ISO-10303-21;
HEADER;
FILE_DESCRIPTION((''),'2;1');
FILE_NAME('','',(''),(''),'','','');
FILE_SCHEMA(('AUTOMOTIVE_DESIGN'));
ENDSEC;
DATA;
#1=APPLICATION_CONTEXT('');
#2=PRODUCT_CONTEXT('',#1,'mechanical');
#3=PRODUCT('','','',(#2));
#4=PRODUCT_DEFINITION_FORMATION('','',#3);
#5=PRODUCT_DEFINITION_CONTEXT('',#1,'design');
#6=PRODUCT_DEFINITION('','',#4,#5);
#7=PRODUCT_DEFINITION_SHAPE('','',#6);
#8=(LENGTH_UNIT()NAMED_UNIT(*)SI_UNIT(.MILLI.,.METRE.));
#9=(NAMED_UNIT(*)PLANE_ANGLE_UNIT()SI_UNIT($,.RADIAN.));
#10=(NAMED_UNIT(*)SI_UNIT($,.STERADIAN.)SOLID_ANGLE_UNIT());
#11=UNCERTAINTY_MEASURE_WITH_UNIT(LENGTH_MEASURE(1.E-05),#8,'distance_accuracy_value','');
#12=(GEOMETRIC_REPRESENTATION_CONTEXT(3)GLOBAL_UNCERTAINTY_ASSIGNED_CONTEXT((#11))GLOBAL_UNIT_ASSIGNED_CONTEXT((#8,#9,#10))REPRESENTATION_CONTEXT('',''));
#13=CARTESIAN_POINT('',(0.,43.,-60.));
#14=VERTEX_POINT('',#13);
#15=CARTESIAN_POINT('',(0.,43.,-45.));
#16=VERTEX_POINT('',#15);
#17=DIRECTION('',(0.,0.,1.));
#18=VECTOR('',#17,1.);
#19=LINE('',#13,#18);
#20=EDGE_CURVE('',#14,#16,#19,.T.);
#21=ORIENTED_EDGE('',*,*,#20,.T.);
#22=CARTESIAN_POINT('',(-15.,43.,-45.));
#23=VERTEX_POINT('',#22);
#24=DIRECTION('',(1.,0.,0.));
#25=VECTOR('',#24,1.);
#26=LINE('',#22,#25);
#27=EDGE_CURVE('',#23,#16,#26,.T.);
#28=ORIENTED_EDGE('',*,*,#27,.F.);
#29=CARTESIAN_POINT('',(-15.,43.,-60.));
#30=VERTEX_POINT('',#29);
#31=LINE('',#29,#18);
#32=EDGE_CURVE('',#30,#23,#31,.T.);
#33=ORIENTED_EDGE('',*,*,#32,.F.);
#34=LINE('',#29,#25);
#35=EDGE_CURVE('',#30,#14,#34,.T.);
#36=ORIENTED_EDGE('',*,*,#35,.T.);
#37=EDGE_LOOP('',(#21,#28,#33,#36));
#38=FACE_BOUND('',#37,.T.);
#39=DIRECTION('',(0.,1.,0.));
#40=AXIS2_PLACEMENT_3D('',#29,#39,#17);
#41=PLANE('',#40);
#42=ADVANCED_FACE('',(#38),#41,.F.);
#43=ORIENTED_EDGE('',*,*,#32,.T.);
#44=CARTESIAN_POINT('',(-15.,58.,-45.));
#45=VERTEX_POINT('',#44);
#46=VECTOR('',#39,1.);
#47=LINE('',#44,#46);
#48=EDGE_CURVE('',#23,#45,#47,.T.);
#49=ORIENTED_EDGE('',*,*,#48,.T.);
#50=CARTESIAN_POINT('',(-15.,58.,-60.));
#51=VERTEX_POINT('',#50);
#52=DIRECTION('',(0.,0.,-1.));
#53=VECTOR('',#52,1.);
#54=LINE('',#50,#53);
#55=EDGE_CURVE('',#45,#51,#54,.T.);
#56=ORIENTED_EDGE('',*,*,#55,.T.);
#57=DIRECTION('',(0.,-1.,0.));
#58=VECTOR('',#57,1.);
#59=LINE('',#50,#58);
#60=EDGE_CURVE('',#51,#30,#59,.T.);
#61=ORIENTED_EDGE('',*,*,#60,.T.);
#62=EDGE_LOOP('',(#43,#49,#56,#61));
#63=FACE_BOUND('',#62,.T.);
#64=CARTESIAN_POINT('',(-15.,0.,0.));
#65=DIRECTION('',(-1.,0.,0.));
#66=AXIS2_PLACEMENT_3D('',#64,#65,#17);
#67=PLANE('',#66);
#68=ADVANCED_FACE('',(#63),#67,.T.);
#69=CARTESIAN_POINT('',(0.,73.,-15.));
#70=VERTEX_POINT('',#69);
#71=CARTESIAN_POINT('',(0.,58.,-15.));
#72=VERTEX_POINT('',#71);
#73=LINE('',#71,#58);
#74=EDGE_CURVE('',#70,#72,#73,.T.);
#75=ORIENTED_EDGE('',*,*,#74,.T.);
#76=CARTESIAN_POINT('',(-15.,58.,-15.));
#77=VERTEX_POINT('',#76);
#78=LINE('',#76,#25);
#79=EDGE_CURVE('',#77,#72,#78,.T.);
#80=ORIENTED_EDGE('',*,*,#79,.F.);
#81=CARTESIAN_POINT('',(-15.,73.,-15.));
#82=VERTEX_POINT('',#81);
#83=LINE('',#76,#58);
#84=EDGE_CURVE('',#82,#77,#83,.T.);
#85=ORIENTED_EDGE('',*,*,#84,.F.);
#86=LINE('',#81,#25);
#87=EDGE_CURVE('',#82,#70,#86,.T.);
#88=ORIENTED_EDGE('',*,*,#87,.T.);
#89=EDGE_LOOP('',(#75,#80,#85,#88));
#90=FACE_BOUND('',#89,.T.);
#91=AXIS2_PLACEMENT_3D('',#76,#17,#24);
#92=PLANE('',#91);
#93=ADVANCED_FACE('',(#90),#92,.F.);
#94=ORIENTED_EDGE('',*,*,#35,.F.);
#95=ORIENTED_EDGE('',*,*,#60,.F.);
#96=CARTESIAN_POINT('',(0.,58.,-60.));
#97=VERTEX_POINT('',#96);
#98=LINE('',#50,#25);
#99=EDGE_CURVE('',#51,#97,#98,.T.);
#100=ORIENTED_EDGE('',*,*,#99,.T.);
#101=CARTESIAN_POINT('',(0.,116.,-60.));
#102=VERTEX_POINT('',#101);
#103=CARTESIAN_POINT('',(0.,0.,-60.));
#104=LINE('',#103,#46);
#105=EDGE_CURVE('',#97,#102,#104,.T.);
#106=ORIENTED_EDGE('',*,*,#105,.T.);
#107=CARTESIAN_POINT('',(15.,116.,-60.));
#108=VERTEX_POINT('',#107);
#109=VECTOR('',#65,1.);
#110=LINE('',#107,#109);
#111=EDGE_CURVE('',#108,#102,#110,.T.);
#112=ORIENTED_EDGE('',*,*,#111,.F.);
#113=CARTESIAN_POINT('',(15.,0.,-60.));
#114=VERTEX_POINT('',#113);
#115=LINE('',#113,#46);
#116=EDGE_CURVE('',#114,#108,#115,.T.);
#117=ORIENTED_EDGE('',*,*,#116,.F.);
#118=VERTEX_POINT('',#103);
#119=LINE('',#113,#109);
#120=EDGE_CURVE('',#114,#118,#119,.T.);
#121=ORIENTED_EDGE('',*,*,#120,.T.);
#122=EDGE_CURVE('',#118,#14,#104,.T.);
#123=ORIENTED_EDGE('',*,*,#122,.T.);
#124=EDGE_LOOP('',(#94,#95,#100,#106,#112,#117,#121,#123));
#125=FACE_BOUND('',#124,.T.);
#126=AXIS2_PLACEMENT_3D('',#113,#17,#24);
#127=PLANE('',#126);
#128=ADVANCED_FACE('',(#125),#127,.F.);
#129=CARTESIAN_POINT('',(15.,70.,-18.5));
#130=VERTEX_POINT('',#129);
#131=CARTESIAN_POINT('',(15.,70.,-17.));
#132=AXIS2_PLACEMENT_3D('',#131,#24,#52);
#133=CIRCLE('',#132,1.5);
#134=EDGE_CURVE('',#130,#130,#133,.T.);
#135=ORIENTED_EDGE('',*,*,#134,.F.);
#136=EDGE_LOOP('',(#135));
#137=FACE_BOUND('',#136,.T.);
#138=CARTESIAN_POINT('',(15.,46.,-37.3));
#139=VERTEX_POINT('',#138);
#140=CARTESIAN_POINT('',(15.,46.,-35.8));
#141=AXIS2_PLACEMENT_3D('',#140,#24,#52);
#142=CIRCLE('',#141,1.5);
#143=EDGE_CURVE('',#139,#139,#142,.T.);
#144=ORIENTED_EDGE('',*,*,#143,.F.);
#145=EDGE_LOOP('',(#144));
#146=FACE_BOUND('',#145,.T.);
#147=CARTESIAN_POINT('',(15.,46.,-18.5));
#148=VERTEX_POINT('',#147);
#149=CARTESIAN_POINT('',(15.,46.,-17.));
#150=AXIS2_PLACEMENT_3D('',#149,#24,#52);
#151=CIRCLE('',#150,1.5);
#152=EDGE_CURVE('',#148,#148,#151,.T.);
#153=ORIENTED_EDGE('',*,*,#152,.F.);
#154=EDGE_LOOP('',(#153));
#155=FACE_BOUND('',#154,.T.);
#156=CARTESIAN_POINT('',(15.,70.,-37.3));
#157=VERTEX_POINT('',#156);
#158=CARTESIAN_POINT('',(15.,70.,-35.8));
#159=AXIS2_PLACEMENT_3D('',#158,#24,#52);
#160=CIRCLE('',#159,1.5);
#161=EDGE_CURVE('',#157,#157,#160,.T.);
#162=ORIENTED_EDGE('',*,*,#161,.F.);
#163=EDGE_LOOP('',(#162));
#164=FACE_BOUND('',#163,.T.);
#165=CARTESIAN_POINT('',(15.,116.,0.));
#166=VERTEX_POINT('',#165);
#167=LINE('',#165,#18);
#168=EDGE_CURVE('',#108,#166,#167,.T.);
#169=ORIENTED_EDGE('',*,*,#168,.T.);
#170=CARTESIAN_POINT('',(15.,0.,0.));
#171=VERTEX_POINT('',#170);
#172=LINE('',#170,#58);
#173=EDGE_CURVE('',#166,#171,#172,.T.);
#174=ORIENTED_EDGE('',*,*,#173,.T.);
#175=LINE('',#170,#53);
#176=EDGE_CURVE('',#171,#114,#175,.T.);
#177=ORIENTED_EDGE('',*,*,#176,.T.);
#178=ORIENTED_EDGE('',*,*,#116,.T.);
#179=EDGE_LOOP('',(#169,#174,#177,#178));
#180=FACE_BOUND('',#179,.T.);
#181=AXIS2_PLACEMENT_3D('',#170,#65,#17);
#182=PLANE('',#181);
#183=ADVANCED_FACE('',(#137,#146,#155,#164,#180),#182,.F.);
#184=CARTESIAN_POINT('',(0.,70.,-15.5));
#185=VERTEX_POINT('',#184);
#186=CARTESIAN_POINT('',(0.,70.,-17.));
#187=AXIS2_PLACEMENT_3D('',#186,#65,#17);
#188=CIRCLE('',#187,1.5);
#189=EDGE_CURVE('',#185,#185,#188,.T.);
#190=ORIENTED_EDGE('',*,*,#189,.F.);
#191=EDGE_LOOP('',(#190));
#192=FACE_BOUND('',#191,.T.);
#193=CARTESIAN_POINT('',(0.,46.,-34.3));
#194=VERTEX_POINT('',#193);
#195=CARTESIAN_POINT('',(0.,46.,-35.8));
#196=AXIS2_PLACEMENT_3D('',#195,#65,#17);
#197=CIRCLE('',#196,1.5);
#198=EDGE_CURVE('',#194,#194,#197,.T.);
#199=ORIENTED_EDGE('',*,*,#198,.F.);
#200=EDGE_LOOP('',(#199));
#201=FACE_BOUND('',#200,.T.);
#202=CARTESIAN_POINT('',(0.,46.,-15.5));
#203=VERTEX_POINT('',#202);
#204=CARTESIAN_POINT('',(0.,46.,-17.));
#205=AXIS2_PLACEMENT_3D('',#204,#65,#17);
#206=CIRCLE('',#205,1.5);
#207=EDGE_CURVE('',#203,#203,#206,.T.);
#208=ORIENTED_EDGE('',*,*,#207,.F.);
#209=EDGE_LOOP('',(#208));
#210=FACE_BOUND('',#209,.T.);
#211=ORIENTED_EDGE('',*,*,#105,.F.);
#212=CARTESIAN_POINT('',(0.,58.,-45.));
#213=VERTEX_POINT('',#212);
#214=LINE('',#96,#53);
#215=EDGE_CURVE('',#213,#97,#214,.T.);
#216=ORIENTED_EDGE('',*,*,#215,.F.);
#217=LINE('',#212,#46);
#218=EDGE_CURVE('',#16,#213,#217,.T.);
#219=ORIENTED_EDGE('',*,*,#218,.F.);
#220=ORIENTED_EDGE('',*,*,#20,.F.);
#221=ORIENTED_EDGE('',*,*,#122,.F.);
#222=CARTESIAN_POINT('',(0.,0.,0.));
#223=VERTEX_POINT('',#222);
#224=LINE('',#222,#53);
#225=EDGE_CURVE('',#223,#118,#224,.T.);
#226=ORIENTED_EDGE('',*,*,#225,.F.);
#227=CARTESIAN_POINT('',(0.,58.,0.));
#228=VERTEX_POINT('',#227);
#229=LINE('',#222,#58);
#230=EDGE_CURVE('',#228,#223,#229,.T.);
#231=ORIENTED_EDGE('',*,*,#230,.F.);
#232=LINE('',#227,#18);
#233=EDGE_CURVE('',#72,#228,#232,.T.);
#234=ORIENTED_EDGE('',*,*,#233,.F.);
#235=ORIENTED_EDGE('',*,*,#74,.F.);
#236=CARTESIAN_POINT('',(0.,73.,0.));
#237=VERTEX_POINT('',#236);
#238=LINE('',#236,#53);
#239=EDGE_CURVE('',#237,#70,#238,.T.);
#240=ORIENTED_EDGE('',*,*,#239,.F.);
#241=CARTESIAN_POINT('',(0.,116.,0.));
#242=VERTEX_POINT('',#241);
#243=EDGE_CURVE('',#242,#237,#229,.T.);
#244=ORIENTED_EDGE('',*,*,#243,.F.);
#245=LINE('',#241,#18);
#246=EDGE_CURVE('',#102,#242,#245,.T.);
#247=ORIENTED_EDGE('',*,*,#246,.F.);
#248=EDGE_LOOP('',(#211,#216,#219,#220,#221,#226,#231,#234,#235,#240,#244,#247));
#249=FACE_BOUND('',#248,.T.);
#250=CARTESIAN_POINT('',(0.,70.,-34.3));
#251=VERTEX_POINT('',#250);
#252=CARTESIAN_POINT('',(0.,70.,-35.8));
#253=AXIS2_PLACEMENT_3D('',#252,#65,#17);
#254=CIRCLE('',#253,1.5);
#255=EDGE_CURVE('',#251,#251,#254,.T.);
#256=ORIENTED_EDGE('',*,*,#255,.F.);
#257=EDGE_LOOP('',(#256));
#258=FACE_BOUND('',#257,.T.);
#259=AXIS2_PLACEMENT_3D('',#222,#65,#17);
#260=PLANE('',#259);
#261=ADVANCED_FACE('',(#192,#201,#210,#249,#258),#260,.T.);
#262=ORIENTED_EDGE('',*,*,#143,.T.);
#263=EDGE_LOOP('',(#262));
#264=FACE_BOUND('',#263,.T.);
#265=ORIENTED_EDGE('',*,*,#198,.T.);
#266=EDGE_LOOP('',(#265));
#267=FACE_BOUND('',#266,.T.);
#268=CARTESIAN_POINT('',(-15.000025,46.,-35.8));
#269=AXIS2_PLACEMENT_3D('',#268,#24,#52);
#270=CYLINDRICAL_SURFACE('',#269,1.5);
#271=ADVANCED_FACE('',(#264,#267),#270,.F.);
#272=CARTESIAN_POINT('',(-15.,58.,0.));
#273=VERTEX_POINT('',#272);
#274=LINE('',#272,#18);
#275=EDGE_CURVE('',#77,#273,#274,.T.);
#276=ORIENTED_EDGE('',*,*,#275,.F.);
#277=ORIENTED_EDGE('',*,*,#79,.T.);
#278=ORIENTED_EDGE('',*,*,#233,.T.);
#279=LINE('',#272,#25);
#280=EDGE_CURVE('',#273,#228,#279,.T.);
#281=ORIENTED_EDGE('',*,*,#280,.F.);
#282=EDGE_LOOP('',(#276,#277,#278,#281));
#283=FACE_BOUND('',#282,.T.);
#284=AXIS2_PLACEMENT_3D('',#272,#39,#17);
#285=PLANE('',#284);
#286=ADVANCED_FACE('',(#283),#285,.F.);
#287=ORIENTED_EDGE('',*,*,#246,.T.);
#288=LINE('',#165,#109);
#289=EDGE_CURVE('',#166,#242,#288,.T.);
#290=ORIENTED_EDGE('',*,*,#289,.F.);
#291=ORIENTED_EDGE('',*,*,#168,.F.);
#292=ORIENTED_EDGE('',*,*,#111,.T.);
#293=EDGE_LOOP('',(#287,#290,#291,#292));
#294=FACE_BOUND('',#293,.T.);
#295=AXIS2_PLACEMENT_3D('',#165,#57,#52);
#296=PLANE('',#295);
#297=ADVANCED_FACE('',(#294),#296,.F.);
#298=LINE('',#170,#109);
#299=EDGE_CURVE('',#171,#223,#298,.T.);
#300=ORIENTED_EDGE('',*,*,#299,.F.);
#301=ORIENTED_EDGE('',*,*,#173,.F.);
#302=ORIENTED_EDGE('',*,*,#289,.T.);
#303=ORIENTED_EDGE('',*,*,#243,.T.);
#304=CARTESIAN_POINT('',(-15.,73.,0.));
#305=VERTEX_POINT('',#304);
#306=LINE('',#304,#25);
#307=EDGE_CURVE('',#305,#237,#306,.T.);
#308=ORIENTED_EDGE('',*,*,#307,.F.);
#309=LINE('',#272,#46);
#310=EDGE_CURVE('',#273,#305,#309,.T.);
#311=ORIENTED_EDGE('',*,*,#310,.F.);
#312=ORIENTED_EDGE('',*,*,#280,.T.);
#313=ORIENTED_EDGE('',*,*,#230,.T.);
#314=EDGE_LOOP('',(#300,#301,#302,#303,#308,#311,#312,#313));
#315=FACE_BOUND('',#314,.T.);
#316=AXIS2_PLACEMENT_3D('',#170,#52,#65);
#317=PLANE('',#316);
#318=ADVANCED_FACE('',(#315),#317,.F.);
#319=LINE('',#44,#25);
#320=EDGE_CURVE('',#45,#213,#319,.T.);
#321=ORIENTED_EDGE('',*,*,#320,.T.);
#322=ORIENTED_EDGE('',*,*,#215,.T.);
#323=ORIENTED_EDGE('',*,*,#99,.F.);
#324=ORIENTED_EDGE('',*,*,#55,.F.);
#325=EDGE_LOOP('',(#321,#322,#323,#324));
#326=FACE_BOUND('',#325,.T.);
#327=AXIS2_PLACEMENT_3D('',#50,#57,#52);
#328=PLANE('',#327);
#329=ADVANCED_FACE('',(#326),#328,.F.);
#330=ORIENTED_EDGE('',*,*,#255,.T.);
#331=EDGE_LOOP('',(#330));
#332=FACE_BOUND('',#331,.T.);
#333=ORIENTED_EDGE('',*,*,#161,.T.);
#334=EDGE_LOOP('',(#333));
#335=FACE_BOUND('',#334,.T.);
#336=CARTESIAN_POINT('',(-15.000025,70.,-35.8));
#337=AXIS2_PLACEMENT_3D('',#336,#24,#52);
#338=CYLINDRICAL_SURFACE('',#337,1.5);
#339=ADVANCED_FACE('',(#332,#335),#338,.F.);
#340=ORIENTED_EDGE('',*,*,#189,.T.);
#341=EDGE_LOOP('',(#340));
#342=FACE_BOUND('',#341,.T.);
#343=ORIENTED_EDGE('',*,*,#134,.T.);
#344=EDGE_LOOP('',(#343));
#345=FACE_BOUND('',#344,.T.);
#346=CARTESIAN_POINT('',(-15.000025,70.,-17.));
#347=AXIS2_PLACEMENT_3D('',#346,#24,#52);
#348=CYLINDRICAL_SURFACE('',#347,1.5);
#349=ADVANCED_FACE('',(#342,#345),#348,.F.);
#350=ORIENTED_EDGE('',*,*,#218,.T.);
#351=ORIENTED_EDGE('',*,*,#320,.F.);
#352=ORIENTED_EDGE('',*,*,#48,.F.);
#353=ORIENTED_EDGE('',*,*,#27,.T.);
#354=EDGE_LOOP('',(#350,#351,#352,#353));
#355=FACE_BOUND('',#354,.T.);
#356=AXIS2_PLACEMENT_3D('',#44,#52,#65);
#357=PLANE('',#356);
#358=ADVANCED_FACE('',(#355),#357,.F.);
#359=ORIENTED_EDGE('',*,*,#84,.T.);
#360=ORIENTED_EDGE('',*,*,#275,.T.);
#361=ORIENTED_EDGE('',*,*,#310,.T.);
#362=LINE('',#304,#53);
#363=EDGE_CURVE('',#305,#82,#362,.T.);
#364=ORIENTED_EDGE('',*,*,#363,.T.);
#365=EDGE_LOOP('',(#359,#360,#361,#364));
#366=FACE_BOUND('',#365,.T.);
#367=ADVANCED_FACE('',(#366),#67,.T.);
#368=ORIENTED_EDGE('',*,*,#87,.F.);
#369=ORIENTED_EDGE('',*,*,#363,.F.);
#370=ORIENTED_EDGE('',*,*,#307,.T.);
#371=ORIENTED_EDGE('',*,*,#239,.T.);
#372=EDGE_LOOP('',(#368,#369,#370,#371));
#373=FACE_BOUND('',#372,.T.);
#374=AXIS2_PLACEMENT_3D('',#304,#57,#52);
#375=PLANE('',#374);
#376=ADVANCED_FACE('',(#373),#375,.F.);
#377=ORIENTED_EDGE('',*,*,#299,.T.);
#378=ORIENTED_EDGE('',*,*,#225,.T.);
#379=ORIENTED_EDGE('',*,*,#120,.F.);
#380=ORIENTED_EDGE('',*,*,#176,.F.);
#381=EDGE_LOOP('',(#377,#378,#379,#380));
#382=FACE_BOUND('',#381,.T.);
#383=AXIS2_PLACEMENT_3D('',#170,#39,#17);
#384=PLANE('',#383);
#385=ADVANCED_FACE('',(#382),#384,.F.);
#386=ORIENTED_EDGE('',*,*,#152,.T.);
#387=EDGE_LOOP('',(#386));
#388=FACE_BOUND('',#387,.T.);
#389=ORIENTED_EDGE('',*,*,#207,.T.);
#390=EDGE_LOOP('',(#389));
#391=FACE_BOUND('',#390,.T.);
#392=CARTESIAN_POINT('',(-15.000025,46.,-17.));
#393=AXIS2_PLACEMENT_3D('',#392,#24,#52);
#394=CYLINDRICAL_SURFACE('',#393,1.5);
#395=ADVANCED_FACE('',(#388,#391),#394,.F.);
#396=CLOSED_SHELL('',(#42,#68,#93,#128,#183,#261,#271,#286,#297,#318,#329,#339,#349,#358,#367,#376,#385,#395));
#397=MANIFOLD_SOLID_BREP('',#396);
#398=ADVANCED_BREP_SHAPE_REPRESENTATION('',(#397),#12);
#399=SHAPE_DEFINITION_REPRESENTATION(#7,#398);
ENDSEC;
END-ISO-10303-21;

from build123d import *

# Parameters (mm, degrees)
CROQUIS1_W              = 60
CROQUIS1_H              = 116
SALIENTE_EXTRUIR1_DEPTH = 15
CROQUIS2_W              = 15
CROQUIS2_H              = 15
SALIENTE_EXTRUIR2_DEPTH = 15
CROQUIS3_R              = 1.5
CORTAR_EXTRUIR1_DEPTH   = 135


with BuildPart() as part:
    # Croquis1 → Saliente-Extruir1 (new body)
    with BuildSketch(Plane(origin=(0, 0, 0), x_dir=(0, 0, -1), z_dir=(1, 0, 0))):
        with Locations((30, 58)):
            Rectangle(CROQUIS1_W, CROQUIS1_H)
    extrude(amount=SALIENTE_EXTRUIR1_DEPTH)

    # Croquis2 → Saliente-Extruir2 (add)
    with BuildSketch(Plane.ZY):
        with Locations((-52.5, 50.5)):
            Rectangle(CROQUIS2_W, CROQUIS2_H)
        with Locations((-7.5, 65.5)):
            Rectangle(CROQUIS2_W, CROQUIS2_H)
    extrude(amount=SALIENTE_EXTRUIR2_DEPTH)

    # Croquis3 → Cortar-Extruir1 (cut, through all)
    with BuildSketch(Plane(origin=(15, 0, 0), x_dir=(0, 0, -1), z_dir=(1, 0, 0))):
        with Locations((17, 70)):
            Circle(CROQUIS3_R)
        with Locations((17, 46)):
            Circle(CROQUIS3_R)
        with Locations((35.8, 70)):
            Circle(CROQUIS3_R)
        with Locations((35.8, 46)):
            Circle(CROQUIS3_R)
    extrude(amount=-CORTAR_EXTRUIR1_DEPTH, mode=Mode.SUBTRACT)


solid = part.part
